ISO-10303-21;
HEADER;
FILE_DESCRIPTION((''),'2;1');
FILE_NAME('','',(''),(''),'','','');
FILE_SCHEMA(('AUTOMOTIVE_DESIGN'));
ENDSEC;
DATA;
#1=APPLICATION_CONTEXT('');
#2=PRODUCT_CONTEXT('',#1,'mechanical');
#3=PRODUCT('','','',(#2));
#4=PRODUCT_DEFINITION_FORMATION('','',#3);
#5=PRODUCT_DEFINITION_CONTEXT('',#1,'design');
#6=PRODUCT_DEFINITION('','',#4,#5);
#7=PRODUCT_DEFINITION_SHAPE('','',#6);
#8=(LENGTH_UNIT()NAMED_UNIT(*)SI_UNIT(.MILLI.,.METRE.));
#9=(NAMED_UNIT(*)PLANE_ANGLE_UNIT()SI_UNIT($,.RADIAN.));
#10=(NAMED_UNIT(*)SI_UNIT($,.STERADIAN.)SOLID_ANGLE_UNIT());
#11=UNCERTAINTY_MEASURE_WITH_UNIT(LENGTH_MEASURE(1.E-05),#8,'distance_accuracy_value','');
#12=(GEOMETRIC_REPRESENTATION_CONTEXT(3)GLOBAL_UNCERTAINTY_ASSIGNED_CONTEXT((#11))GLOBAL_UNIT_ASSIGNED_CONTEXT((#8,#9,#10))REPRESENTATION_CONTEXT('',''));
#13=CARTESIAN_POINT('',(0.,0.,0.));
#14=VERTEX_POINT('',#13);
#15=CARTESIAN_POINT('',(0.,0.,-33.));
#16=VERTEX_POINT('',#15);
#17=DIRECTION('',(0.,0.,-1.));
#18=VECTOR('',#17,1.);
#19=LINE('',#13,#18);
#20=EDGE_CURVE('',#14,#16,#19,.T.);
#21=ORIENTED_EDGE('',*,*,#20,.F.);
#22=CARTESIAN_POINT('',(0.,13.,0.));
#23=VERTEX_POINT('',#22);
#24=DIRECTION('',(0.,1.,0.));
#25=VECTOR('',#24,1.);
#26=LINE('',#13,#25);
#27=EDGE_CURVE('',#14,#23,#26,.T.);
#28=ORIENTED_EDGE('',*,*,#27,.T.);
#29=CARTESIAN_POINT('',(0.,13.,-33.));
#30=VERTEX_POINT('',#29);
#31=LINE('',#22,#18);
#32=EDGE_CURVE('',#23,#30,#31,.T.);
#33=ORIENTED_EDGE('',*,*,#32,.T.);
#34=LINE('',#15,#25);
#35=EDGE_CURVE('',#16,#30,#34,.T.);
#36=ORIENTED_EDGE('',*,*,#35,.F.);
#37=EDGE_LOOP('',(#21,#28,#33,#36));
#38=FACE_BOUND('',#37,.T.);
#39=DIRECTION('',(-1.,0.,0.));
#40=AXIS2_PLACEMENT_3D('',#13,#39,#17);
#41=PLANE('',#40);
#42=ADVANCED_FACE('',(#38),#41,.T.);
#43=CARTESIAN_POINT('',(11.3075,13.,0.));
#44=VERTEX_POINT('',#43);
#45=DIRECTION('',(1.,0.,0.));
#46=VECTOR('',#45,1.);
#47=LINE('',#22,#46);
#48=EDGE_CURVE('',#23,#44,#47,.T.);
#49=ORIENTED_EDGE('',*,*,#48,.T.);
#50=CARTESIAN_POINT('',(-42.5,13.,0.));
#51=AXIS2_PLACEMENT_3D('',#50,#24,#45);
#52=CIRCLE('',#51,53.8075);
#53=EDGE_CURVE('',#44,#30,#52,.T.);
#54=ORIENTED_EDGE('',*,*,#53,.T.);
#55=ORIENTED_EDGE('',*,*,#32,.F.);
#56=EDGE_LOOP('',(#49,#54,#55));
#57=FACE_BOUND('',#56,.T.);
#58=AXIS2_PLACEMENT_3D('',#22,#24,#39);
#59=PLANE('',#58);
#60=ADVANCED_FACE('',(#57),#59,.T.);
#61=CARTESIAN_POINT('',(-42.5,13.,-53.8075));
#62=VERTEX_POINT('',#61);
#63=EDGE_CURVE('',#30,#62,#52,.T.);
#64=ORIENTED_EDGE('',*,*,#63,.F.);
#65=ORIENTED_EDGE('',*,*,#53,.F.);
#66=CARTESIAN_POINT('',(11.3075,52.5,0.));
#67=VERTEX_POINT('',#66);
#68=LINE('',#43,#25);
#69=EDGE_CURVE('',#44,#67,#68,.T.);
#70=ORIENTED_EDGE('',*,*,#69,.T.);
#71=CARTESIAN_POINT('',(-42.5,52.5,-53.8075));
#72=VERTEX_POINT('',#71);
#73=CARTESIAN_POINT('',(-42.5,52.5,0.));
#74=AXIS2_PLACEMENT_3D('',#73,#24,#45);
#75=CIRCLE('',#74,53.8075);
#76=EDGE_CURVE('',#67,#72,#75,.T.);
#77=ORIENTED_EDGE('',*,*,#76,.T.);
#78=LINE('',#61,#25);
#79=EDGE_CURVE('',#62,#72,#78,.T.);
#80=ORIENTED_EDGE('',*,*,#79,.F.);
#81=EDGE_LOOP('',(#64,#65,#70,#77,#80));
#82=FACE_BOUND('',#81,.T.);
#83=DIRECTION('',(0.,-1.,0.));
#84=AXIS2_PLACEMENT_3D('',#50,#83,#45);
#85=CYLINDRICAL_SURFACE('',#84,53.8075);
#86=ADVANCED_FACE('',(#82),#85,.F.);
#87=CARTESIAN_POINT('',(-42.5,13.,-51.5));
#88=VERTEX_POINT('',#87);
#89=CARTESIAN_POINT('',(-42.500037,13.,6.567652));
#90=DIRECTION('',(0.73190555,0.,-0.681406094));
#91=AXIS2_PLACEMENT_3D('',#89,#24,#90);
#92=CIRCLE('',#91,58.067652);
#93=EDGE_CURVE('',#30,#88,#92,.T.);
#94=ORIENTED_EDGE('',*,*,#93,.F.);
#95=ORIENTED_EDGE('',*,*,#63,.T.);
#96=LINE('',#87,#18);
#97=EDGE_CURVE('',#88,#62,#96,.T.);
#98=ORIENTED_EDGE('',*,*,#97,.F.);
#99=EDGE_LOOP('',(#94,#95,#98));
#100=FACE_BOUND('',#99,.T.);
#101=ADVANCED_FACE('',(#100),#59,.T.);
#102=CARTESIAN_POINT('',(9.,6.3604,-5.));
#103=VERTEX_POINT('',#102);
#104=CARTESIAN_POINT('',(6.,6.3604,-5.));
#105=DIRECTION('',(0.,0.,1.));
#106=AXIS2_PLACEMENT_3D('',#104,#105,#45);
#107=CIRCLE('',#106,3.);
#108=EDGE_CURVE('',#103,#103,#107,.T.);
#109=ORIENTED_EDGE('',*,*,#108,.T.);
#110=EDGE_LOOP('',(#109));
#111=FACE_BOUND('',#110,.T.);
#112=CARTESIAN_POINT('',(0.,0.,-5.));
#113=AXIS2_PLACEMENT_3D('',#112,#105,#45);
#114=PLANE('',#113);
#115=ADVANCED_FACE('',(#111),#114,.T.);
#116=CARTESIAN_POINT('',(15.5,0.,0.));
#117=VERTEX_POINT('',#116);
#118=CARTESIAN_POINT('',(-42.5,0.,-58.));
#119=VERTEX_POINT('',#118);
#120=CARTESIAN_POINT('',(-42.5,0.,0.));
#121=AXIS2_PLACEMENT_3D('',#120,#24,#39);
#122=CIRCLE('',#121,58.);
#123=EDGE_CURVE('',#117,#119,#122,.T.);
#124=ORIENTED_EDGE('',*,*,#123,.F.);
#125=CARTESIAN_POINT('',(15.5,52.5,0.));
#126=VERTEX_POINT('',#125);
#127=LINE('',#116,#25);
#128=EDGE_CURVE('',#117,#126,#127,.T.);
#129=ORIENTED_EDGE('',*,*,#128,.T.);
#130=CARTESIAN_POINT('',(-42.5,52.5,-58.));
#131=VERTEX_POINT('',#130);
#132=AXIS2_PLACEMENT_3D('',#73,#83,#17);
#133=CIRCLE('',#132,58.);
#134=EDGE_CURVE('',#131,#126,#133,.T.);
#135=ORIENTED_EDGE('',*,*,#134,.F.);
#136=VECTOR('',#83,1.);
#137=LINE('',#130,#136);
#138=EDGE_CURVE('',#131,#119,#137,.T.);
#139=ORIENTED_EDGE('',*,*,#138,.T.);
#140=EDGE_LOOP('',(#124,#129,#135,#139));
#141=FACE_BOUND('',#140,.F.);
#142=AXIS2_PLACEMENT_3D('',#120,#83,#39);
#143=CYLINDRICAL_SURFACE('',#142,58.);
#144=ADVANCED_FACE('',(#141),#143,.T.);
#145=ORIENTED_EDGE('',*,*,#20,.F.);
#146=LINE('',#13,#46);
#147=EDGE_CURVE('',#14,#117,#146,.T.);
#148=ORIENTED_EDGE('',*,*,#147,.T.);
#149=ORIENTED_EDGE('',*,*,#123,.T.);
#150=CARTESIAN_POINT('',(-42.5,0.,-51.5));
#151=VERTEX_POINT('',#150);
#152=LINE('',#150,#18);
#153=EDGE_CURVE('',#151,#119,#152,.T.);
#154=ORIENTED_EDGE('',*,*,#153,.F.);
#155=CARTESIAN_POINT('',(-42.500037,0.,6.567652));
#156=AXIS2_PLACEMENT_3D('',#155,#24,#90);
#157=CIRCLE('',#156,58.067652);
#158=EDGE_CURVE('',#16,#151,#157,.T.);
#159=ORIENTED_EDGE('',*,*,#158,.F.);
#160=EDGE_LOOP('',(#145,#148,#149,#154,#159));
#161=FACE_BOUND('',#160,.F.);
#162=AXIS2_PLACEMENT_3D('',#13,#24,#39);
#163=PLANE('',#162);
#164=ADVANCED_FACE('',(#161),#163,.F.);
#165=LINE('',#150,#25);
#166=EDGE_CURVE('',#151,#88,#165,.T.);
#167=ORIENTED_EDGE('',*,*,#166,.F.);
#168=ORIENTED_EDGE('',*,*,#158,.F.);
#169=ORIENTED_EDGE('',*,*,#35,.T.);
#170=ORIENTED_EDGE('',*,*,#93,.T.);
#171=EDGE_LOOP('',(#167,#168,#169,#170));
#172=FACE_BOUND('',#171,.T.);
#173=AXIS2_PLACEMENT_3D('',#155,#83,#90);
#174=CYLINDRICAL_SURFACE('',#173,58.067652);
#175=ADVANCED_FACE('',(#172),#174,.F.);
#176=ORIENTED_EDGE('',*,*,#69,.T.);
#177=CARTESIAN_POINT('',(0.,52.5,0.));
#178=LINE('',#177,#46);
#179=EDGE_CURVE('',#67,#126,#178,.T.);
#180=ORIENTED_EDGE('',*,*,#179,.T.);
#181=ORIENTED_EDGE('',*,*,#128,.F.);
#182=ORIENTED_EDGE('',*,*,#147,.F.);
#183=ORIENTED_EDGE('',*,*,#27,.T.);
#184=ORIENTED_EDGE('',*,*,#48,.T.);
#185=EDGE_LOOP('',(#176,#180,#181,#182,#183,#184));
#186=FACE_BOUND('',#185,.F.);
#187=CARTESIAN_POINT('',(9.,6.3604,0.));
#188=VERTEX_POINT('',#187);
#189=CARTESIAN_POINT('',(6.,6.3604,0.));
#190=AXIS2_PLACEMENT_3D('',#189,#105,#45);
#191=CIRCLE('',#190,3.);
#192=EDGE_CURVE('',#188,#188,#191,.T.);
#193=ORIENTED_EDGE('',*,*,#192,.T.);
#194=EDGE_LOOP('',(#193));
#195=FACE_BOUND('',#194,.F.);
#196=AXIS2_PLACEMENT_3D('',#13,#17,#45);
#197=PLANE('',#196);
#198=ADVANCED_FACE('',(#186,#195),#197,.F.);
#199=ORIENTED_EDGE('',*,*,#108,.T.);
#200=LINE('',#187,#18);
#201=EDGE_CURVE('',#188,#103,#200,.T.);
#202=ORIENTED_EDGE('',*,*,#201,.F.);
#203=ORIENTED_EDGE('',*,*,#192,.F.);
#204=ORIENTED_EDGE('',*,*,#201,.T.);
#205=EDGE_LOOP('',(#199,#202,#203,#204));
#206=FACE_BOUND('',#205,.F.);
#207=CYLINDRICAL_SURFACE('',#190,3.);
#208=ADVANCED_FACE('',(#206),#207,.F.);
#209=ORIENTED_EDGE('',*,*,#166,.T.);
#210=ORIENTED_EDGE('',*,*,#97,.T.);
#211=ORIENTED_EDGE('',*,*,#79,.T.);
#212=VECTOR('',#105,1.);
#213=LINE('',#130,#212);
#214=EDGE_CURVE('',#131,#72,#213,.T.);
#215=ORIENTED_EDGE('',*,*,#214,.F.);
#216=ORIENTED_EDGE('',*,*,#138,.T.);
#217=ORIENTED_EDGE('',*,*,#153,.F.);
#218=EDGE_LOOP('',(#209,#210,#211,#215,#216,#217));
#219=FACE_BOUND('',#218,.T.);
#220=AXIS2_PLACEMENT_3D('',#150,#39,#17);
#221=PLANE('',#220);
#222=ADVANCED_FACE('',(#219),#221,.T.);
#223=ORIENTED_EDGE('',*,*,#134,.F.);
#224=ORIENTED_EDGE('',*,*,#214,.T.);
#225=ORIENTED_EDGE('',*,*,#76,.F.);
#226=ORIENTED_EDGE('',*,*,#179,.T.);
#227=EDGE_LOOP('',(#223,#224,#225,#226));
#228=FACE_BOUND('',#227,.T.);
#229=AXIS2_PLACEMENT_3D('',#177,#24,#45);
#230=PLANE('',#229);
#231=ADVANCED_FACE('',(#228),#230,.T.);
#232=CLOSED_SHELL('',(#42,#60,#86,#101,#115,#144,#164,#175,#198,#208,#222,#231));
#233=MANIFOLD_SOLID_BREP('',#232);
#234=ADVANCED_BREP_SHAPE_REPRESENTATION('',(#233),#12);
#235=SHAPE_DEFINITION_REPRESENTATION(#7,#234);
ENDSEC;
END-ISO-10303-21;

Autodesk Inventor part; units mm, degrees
ref_plane "YZ Plane" through (0, 0, 0) normal (1, 0, 0) x (0, 1, 0)
ref_plane "XZ Plane" through (0, 0, 0) normal (0, 1, 0) x (-1, 0, 0)
ref_plane "XY Plane" through (0, 0, 0) normal (0, 0, 1) x (1, 0, 0)
sketch "Sketch1" plane through (0, 0, 0) normal (0, 1, 0) x (-1, 0, 0)
  line L0 (0, 0) -> (0, -33)
  line L1 (0, 0) -> (-12, 0)
  line L2 (0, 0) -> (42.5, 0)
  line L3 (42.5, 0) -> (42.5, -33)
  line L4 (0, -33) -> (42.5, -33)
  line L5 (42.5, -33) -> (42.5, -51.5)
  arc A0 (0, -33) -> (42.5, -51.5) centre (42.5, 6.5676) ccw
  line L6 (42.5, -51.5) -> (42.5, -58)
  circle A1 centre (42.5, 0) radius 58
  line L7 (-12, 0) -> (-15.5, 0)
  dimension "d0" = 33
  dimension "d1" = 42.5
  dimension "d2" = 18.5
  dimension "d3" = 6.5
extrude "Extrusion1" add sketch "Sketch1" along normal blind 13 contours L0 A0 L6 A1 L7 L1
sketch "Sketch2" plane through (0, 13, 0) normal (0, 1, 0) x (1, 0, 0)
  arc A0 (0, 33) -> (-42.5, 51.5) centre (-42.5, -6.5676) ccw projected
  line L0 (0, 33) -> (3.3114, 35.5712)
  arc A1 (15.5, 0) -> (-42.5, 58) centre (-42.5, 0) ccw projected
  circle A2 centre (-42.5, 0) radius 58
  circle A3 centre (-42.5, 0) radius 53.8075
  line L1 (-42.5, 58) -> (-42.5, 51.5) projected
  line L2 (-42.5, 53.8075) -> (-42.5, 58)
  line L3 (0, 0) -> (15.5, 0) projected
  line L4 (11.3075, 0) -> (15.5, 0)
  dimension "d6" = 4.1925
extrude "Extrusion2" add sketch "Sketch2" along normal blind 39.5 contours A3 L1 A1 L0 | L0 A1 L3 A3
sketch "Sketch4" plane through (-42.5, 0, -58) normal (-1, 0, 0) x (0, 0, 1)
  line L0 (16, 92) -> (58.5, 92) projected
  line L1 (58.5, 105) -> (0, 105) projected
  line L2 (16, 92) -> (4, 92)
  line L3 (4, 92) -> (4, 105)
  line L4 (4, 105) -> (16, 105)
  line L5 (16, 105) -> (16, 92)
  circle A0 centre (10, 98.5) radius 3
  point P0 (58, 0)
  point P1 (0.0003, 105)
  dimension "d15" = 12
  dimension "d16" = 6
extrude "Extrusion4" cut sketch "Sketch4" against normal blind 5 contours A0
sketch "Sketch5" plane through (0, 0, 0) normal (0, 0, 1) x (1, 0, 0)
  line L0 (0, 0) -> (15.5, 0) projected
  line L1 (0, 13) -> (11.3075, 13) projected
  line L2 (0, 0) -> (12, 0)
  line L3 (12, 0) -> (12, 13)
  line L4 (12, 13) -> (0, 13)
  line L5 (0, 13) -> (0, 0)
  circle A0 centre (6, 6.3604) radius 3
  dimension "d19" = 6
extrude "Extrusion5" cut sketch "Sketch5" against normal blind 5 contours A0
sketch "Sketch6" plane through (0, 52.5, 0) normal (0, 1, 0) x (1, 0, 0)
  arc A0 (15.5, 0) -> (-42.5, 58) centre (-42.5, 0) ccw projected
  line L0 (-42.5, 58) -> (-42.5, 0)
  line L1 (-42.5, 0) -> (15.5, 0)
  arc A1 (15.5, 0) -> (-42.5, 58) centre (-42.5, 0) ccw
  line L2 (-42.5, 0) -> (16, 0)
  line L3 (16, 0) -> (16, 58.5)
  line L4 (16, 58.5) -> (-42.5, 58.5)
  line L5 (-42.5, 58.5) -> (-42.5, 0)
  line L6 (-42.5, 0) -> (16, 58.5)
  arc A2 (0, 33) -> (-42.5, 51.5) centre (-42.5, -6.5676) ccw projected
  line L7 (-4.8553, 37.6447) -> (-1.4878, 41.0122)
  point P0 (0, 0)
ref_plane "Work Plane1" through (-4.8553, 52.5, -37.6447) normal (0.7071, 0, -0.7071) x (0, 1, 0)
properties part number "Conic_Cover"
